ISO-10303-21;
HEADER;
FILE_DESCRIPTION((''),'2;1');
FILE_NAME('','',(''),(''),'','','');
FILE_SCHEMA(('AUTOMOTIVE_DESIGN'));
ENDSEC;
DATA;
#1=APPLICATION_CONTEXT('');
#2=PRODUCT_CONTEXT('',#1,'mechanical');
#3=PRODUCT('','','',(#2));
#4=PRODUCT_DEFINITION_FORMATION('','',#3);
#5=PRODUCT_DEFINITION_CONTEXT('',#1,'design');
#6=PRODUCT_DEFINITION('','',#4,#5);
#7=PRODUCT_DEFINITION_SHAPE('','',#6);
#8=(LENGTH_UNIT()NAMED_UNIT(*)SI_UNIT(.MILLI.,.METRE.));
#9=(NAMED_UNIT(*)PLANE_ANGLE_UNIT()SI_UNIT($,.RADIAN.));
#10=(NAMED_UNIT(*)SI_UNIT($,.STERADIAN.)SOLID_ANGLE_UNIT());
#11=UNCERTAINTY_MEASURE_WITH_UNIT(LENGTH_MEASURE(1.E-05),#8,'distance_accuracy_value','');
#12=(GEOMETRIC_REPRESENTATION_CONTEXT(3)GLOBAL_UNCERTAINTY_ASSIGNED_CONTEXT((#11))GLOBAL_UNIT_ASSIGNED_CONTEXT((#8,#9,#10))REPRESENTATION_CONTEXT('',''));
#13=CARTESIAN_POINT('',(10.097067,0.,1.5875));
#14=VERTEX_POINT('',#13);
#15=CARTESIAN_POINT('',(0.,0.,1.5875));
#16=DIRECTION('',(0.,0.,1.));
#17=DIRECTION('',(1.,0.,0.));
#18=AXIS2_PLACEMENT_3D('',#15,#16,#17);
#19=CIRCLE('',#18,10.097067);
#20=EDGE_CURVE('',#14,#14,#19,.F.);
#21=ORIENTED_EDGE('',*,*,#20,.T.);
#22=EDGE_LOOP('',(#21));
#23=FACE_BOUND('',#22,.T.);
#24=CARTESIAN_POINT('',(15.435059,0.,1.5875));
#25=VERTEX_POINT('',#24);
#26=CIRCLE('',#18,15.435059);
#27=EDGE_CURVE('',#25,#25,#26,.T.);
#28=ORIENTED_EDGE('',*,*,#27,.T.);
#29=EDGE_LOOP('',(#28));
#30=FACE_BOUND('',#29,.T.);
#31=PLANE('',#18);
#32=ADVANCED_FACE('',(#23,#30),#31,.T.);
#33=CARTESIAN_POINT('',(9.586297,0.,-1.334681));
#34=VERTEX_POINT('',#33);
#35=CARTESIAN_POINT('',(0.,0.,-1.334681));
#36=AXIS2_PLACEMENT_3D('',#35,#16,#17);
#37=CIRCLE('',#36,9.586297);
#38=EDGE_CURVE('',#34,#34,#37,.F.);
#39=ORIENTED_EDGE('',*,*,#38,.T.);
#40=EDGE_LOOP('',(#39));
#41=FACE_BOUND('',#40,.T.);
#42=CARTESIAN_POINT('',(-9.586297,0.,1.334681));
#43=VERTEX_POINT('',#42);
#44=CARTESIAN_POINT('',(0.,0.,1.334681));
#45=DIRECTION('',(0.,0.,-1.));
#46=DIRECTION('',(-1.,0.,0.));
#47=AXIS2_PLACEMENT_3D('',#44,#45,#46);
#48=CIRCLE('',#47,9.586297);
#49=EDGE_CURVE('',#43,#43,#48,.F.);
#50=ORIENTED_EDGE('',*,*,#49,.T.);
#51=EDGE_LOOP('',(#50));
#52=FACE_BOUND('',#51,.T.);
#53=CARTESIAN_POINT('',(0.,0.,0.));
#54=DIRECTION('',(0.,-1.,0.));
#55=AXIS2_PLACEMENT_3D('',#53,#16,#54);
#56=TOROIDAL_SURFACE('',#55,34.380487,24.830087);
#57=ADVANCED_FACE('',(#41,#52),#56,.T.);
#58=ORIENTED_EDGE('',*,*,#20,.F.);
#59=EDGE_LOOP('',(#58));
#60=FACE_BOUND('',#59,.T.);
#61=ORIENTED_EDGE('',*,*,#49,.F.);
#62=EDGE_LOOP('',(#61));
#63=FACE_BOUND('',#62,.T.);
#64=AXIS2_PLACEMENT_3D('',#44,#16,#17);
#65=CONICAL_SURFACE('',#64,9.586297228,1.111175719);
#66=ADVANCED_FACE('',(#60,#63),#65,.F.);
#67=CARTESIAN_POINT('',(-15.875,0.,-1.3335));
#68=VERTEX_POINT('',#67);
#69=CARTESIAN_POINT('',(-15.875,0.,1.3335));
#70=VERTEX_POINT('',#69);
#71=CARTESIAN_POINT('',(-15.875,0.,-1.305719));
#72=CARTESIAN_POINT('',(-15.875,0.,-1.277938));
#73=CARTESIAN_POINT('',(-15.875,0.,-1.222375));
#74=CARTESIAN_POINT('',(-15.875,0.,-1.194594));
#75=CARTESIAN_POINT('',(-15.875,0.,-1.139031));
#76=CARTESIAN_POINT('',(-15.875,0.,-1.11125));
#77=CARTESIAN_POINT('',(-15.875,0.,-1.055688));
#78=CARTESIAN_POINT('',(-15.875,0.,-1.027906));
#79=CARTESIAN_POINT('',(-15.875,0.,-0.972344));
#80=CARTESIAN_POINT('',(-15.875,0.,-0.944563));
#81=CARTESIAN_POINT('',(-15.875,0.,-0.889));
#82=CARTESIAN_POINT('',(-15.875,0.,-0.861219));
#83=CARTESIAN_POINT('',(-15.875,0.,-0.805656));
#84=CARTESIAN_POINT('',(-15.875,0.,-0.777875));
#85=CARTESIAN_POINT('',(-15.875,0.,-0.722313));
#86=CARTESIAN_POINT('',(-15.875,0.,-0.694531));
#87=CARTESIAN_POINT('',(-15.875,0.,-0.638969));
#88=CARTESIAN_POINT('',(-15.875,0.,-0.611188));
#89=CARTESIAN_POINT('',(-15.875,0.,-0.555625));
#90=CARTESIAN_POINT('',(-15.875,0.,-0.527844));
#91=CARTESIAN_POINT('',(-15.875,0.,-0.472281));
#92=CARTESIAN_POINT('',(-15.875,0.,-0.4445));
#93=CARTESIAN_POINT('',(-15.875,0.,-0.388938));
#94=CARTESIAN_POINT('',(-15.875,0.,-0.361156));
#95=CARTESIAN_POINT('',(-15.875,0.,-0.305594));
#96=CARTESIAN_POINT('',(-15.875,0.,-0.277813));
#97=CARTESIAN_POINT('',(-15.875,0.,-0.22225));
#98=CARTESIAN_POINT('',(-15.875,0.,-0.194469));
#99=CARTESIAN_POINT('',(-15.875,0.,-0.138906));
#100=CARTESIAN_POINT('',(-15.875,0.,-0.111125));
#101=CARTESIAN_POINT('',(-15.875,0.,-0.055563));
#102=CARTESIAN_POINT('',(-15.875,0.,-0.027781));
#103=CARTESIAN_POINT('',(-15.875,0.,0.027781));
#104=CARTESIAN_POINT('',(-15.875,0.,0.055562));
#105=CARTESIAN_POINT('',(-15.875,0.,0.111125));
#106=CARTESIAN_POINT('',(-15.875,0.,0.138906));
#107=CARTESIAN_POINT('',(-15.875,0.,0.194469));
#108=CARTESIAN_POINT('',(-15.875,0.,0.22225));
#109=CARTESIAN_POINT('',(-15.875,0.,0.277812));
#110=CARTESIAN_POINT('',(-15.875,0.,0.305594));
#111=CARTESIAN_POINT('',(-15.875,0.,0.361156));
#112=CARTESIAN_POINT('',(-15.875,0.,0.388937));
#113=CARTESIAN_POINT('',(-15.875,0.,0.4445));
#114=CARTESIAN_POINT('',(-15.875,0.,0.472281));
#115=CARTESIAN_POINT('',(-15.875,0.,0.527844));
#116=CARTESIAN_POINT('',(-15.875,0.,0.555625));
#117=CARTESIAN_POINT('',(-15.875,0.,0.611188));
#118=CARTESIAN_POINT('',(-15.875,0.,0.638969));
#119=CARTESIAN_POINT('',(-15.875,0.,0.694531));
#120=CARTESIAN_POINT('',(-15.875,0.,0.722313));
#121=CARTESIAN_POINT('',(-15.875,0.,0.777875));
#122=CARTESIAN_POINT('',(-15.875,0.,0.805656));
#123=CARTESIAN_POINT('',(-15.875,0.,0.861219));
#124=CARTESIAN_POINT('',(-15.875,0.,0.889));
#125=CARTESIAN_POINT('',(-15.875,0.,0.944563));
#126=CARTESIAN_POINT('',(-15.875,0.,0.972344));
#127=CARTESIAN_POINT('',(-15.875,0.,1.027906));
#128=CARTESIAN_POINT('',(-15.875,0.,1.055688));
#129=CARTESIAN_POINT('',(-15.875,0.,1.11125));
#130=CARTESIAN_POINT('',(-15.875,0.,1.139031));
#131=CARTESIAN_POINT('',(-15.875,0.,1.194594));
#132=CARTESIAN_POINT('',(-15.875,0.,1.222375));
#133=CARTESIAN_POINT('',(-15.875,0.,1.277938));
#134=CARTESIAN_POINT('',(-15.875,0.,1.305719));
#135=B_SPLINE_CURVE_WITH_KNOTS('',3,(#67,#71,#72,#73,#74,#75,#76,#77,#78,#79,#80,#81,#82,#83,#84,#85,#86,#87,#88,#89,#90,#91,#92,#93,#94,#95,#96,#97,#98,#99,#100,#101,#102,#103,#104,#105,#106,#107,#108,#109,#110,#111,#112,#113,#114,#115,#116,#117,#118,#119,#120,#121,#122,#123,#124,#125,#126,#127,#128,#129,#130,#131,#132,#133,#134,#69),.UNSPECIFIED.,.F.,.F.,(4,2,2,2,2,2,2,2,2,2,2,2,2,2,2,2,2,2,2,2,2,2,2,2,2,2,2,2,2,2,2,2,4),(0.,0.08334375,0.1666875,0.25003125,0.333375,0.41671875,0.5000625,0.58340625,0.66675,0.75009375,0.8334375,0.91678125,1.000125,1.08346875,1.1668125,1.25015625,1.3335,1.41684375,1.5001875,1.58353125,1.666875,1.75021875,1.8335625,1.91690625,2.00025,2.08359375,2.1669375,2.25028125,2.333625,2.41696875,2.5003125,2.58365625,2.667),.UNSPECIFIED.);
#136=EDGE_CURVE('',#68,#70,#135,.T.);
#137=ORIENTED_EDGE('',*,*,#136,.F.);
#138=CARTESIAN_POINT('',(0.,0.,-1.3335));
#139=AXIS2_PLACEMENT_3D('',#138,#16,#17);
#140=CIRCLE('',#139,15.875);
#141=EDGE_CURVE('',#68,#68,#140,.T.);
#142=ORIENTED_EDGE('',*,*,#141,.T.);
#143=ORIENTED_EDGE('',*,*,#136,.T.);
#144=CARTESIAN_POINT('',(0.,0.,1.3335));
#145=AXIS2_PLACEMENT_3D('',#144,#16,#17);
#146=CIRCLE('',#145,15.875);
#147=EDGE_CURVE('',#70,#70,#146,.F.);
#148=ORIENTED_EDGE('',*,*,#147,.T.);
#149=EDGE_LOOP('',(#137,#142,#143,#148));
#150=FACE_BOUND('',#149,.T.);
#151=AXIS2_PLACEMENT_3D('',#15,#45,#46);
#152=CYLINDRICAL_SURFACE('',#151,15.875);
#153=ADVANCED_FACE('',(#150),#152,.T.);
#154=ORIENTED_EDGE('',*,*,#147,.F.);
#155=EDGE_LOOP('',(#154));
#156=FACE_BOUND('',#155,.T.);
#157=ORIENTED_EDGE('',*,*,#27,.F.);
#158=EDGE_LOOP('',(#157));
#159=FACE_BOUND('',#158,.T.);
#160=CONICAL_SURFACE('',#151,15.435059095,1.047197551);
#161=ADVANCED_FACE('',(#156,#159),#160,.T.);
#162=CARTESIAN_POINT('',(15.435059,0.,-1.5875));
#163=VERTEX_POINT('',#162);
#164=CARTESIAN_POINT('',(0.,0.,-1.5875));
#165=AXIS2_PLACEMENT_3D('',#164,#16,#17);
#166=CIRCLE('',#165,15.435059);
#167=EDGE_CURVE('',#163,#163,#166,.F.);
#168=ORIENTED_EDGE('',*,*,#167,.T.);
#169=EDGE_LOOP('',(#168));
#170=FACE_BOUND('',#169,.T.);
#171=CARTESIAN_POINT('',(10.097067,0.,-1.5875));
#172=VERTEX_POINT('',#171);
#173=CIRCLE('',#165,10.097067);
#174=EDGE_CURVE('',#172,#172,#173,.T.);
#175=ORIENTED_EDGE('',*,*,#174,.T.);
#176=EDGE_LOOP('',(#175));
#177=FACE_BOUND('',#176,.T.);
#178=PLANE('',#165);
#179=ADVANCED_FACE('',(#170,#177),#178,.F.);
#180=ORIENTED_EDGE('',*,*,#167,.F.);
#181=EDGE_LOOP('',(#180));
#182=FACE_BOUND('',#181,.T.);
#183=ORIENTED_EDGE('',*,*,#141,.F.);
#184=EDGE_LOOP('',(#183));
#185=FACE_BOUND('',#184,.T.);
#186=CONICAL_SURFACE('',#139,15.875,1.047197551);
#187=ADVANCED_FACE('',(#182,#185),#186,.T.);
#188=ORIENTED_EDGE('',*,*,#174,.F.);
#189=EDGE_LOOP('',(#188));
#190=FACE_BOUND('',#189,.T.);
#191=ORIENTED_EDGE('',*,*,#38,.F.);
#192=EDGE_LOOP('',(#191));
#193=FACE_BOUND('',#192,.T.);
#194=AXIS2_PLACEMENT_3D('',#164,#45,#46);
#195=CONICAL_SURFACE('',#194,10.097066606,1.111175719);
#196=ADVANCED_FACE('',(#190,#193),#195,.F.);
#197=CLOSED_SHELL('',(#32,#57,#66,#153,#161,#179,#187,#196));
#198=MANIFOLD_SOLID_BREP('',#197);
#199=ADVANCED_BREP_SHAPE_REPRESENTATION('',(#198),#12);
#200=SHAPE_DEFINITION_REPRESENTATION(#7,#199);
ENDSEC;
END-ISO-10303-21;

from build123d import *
from OCP.BRepFilletAPI import BRepFilletAPI_MakeChamfer

# Parameters (mm, degrees)
BOSS_EXTRUDE1_DEPTH      = 1.5875
BOSS_EXTRUDE1_DEPTH_BACK = 1.5875
SKETCH3_R                = 15.875
SKETCH3_R_2              = 9.5504
CHAMFER1_SIZE            = 0.254
CHAMFER1_SIZE2           = 0.439940905
CHAMFER2_SIZE            = 0.254
CHAMFER2_SIZE2           = 0.495866606


with BuildPart() as part:
    # Sketch3 → Boss-Extrude1 (new, two sides: drawn at the far end of the back side and taken through both)
    with BuildSketch(Plane.XY.offset(-BOSS_EXTRUDE1_DEPTH_BACK)):
        with Locations(Location((0, 0, 0), (0, 0, 180))):
            Circle(SKETCH3_R)
        with Locations(Location((0, 0, 0), (0, 0, 180))):
            Circle(SKETCH3_R_2, mode=Mode.SUBTRACT)
    extrude(amount=BOSS_EXTRUDE1_DEPTH + BOSS_EXTRUDE1_DEPTH_BACK)

    # Chamfer1: one chamfer whose edges measure the first distance from different faces: ONE call of the kernel's chamfer builder (chamfer() names one face for all edges)
    chamfer1_edges_1 = [part.edges().sort_by_distance(p)[0] for p in [
        (15.875, 0, 1.5875),
    ]]
    chamfer1_side_1 = [part.faces().sort_by_distance(p)[0] for p in [
        (15.875, 0, 0.79375),
    ]]
    chamfer1_edges_2 = [part.edges().sort_by_distance(p)[0] for p in [
        (15.875, 0, -1.5875),
    ]]
    chamfer1_side_2 = [part.faces().sort_by_distance(p)[0] for p in [
        (15.875, 0, -0.79375),
    ]]
    chamfer1 = BRepFilletAPI_MakeChamfer(part.part.solid().wrapped)
    for e in chamfer1_edges_1:
        chamfer1.Add(CHAMFER1_SIZE, CHAMFER1_SIZE2, e.wrapped, chamfer1_side_1[0].wrapped)  # the first distance lies on this face
    for e in chamfer1_edges_2:
        chamfer1.Add(CHAMFER1_SIZE, CHAMFER1_SIZE2, e.wrapped, chamfer1_side_2[0].wrapped)  # the first distance lies on this face
    add(Compound.cast(chamfer1.Shape()), mode=Mode.REPLACE)

    # Sketch4 → Cut-Revolve1 (revolve, cut)
    with BuildSketch(Plane(origin=(0, 0, 0), x_dir=(0, 0, -1), z_dir=(1, 0, 0)), mode=Mode.PRIVATE) as cut_revolve1_sk:
        with BuildLine():
            Line((-1.5875, 9.4996), (-1.5875, 9.6012))
            ThreePointArc((-1.5875, 9.6012), (0, 9.5504), (1.5875, 9.6012))
            Line((1.5875, 9.6012), (1.5875, 9.4996))
            Line((1.5875, 9.4996), (-1.5875, 9.4996))
        make_face()
    revolve(cut_revolve1_sk.sketch.rotate(Axis((0, 0, 1.5875), (0, 0, -1)), 180), axis=Axis((0, 0, 1.5875), (0, 0, -1)), mode=Mode.SUBTRACT)

    # Chamfer2: one chamfer whose edges measure the first distance from different faces: ONE call of the kernel's chamfer builder (chamfer() names one face for all edges)
    chamfer2_edges_1 = [part.edges().sort_by_distance(p)[0] for p in [
        (0, 9.6012, -1.5875),
    ]]
    chamfer2_side_1 = [part.faces().sort_by_distance(p)[0] for p in [
        (0, 9.56310325, -0.794156296),
    ]]
    chamfer2_edges_2 = [part.edges().sort_by_distance(p)[0] for p in [
        (0, 9.6012, 1.5875),
    ]]
    chamfer2_side_2 = [part.faces().sort_by_distance(p)[0] for p in [
        (0, 9.56310325, 0.794156296),
    ]]
    chamfer2 = BRepFilletAPI_MakeChamfer(part.part.solid().wrapped)
    for e in chamfer2_edges_1:
        chamfer2.Add(CHAMFER2_SIZE, CHAMFER2_SIZE2, e.wrapped, chamfer2_side_1[0].wrapped)  # the first distance lies on this face
    for e in chamfer2_edges_2:
        chamfer2.Add(CHAMFER2_SIZE, CHAMFER2_SIZE2, e.wrapped, chamfer2_side_2[0].wrapped)  # the first distance lies on this face
    add(Compound.cast(chamfer2.Shape()), mode=Mode.REPLACE)


solid = part.part
